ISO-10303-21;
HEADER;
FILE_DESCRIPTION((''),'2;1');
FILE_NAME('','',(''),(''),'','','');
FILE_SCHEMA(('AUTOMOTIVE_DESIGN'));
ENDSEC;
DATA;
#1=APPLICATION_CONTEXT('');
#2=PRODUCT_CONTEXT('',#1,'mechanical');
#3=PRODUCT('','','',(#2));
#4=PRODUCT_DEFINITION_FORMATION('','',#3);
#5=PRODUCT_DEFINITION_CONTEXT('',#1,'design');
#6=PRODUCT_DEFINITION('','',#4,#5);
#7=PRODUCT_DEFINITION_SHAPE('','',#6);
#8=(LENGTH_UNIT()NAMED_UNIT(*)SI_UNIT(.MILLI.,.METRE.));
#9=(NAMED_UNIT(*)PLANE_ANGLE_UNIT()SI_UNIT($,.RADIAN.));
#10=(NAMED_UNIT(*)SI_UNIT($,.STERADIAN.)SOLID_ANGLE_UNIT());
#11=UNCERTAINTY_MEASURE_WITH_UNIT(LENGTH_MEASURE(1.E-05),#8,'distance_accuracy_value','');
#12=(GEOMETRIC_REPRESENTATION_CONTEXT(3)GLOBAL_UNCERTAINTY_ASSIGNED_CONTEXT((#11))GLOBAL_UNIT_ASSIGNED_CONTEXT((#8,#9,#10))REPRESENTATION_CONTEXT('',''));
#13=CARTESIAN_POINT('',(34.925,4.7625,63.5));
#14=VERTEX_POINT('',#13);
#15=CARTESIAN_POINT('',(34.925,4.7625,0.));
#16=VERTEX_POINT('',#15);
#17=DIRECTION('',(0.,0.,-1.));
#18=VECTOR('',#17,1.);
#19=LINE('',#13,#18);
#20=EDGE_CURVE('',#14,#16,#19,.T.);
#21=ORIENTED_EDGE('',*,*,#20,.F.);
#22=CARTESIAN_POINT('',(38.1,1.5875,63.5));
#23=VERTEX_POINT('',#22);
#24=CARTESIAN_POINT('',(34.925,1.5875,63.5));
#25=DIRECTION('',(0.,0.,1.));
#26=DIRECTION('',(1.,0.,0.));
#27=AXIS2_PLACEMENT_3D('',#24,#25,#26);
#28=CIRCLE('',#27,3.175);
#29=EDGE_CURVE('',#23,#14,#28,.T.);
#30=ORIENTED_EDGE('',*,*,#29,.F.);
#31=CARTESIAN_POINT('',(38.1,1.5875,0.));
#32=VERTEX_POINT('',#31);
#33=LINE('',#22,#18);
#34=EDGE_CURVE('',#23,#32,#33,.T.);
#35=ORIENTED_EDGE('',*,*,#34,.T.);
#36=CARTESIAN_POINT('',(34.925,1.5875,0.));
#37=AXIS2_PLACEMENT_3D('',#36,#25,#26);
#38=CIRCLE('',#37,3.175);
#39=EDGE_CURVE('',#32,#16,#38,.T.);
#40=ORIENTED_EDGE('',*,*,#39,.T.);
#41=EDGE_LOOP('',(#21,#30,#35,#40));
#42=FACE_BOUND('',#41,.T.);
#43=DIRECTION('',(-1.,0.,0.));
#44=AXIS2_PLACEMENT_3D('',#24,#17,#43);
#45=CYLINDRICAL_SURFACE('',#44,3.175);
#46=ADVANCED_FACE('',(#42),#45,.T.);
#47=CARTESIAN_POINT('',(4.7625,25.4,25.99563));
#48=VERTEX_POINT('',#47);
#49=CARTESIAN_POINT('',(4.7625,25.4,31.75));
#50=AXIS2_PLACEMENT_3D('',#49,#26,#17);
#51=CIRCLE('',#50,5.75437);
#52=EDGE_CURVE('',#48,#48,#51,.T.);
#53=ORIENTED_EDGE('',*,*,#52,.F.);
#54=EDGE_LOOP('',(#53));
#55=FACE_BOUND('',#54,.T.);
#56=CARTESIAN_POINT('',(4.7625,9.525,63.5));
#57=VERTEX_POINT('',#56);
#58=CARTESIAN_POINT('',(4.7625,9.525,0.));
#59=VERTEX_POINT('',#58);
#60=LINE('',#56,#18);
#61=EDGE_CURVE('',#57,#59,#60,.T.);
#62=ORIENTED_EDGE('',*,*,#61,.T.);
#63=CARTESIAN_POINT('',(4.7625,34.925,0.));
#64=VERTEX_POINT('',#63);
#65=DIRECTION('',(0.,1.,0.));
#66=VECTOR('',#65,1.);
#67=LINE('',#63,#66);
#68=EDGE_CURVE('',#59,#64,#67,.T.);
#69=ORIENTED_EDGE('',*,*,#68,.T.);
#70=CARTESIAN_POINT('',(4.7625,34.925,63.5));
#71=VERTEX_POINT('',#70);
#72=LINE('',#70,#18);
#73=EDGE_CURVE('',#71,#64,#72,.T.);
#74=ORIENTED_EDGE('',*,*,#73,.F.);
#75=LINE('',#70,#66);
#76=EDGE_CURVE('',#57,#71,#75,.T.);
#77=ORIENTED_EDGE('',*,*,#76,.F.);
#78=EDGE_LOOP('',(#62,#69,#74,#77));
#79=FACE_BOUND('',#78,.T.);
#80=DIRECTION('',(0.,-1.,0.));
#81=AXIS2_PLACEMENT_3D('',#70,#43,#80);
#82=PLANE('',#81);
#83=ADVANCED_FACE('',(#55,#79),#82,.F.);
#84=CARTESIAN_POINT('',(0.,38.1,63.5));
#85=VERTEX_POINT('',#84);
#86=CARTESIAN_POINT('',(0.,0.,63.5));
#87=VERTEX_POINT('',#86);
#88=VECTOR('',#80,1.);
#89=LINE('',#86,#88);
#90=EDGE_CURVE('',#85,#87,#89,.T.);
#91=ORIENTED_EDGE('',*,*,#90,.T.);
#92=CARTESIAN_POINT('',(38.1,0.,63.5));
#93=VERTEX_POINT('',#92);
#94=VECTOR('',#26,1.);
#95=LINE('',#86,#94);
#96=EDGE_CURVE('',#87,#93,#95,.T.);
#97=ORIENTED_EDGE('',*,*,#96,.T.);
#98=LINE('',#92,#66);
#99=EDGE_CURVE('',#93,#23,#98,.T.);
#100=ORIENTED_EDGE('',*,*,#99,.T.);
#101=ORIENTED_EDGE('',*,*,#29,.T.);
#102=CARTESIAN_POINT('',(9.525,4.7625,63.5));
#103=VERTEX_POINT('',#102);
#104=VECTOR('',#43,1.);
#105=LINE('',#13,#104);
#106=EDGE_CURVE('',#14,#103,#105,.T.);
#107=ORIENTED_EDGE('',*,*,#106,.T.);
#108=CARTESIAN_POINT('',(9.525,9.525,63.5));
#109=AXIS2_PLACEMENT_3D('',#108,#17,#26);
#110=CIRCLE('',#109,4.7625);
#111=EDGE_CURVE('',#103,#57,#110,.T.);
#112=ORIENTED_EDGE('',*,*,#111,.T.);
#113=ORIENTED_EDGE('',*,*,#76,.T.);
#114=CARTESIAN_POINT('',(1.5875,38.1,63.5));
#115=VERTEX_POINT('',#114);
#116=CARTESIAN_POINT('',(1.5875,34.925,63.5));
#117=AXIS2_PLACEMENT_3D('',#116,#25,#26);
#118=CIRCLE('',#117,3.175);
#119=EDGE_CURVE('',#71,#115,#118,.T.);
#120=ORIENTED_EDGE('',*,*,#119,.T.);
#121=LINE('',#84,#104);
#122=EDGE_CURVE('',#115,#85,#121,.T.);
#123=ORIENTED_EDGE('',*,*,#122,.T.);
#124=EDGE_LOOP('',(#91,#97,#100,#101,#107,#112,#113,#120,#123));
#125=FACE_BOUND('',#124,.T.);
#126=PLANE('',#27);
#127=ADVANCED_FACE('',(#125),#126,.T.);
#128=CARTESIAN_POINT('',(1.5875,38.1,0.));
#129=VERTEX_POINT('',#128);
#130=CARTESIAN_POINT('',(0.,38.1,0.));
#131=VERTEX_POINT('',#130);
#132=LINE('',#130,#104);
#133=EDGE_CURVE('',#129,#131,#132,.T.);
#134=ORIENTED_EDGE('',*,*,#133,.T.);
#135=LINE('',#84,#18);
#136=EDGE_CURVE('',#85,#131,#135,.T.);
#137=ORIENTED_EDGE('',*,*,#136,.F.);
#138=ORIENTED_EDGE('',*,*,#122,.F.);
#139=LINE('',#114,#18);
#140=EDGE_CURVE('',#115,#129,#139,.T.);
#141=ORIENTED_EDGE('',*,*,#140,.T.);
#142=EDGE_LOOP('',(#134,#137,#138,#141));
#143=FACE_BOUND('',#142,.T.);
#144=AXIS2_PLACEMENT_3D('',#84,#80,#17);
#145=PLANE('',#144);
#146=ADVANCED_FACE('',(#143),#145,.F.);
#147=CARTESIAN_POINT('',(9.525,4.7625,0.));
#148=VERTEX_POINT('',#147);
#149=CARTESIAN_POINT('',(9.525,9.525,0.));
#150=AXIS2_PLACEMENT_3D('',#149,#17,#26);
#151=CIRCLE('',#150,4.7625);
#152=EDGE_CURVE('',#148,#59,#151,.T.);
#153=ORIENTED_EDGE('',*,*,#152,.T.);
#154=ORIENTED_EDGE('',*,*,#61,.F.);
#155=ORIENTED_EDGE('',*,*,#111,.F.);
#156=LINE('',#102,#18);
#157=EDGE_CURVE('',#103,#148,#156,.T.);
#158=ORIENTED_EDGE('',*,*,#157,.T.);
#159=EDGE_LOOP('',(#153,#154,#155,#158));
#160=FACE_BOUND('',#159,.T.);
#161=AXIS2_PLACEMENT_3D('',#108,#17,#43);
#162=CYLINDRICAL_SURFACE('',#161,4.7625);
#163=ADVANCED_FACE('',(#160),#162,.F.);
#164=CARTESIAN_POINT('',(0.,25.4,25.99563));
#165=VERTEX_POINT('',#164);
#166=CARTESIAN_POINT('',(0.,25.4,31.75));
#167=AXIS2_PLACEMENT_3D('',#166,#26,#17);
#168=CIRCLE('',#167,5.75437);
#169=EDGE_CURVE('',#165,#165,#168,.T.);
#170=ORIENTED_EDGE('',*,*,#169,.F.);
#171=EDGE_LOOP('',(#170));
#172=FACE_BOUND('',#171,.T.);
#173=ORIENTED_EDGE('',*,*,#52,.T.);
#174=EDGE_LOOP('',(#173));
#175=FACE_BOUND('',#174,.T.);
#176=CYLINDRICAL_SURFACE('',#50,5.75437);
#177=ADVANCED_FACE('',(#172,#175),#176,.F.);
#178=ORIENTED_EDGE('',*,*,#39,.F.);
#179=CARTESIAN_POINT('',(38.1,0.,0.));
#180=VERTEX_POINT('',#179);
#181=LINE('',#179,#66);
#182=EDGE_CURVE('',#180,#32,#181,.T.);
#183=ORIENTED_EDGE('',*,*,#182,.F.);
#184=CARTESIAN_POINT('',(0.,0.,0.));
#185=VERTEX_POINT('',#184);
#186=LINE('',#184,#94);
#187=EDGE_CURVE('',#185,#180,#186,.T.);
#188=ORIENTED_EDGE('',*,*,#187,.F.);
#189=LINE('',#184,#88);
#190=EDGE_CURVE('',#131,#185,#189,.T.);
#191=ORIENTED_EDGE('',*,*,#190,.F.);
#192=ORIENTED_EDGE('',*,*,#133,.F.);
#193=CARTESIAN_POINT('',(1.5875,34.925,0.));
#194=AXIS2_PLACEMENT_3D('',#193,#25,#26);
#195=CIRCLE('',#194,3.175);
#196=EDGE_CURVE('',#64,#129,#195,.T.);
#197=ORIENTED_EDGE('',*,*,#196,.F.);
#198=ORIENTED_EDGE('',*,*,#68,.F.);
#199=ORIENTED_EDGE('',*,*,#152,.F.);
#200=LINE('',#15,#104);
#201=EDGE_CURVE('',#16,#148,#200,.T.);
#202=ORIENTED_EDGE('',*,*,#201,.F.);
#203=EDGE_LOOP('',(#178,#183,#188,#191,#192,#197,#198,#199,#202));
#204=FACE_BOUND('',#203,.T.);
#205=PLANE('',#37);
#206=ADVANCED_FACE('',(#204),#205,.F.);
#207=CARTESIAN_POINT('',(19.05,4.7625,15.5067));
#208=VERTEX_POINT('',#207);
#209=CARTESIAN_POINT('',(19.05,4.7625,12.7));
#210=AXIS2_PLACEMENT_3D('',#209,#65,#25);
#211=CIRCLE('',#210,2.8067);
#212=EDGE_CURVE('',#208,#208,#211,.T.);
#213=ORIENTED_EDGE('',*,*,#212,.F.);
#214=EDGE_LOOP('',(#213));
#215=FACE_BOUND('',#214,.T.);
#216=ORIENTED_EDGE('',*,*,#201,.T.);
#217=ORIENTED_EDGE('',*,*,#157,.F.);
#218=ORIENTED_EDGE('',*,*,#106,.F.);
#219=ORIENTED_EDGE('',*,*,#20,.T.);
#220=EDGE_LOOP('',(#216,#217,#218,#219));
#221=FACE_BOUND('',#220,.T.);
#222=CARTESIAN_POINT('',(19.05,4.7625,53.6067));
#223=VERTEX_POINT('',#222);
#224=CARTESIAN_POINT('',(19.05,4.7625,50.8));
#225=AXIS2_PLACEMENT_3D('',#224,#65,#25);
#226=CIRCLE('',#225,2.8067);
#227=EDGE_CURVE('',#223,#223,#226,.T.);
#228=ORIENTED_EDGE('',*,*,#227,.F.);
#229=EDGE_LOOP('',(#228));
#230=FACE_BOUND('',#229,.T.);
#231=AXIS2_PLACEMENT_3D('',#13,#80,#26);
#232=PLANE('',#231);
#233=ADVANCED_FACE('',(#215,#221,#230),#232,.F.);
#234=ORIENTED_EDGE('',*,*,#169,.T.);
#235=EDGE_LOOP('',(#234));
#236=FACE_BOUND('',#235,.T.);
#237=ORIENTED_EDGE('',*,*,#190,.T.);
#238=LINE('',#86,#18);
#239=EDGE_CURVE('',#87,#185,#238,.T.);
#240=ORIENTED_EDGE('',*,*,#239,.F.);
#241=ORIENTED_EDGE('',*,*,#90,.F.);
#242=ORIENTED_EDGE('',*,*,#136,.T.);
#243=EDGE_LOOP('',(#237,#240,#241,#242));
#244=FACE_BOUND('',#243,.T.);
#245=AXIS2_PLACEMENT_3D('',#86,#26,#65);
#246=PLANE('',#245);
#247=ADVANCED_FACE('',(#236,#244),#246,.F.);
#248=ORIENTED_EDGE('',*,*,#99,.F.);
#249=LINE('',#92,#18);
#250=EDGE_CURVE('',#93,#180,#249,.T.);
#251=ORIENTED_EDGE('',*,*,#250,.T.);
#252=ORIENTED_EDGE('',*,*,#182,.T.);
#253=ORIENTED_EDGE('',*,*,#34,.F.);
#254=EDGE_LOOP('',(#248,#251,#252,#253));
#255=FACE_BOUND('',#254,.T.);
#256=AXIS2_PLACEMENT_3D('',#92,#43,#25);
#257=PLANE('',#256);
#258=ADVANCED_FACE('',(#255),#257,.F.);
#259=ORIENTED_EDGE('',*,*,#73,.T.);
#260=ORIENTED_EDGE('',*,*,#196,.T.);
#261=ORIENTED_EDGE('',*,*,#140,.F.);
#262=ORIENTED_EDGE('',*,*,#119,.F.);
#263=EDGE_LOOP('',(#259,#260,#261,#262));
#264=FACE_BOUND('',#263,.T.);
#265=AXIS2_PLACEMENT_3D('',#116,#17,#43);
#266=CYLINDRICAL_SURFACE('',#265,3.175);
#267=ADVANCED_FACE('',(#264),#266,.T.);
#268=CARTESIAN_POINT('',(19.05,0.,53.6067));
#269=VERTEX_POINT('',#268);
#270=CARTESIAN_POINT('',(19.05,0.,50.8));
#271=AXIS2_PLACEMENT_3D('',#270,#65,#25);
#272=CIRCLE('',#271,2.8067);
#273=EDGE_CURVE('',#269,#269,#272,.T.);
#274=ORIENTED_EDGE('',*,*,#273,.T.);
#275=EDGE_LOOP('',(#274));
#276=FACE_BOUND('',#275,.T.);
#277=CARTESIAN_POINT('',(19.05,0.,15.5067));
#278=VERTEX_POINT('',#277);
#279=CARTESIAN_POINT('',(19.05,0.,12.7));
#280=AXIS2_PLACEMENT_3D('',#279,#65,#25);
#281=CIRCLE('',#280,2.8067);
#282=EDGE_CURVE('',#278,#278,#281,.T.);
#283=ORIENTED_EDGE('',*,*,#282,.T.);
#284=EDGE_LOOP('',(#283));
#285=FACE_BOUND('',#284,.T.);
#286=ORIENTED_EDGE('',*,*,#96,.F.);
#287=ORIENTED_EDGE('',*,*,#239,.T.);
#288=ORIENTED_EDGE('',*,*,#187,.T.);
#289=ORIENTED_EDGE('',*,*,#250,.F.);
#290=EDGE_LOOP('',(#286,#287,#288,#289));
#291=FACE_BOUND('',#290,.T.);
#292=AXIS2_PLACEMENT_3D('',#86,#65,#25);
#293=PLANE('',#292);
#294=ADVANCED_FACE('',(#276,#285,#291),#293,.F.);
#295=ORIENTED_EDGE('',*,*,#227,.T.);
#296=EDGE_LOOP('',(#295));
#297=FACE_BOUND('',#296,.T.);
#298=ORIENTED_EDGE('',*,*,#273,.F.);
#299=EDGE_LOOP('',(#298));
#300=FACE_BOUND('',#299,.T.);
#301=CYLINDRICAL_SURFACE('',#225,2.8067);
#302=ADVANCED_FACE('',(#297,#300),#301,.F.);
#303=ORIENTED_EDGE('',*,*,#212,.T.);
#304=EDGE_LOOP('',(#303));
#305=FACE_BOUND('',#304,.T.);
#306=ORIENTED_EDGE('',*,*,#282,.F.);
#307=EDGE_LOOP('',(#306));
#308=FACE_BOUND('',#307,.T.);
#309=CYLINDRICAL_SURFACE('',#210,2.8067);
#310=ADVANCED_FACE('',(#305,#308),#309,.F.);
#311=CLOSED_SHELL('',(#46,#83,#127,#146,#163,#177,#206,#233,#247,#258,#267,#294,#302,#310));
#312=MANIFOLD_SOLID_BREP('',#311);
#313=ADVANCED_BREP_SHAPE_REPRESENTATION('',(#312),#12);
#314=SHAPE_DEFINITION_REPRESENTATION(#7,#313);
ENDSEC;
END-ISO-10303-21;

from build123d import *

# Parameters (mm, degrees)
EXTRUDE1_DEPTH           = 63.5
F_10_CLEARANCE_HOLE1_D   = 5.6134
F_7_16_CLEARANCE_HOLE1_D = 11.50874


with BuildPart() as part:
    # Sketch1 → Extrude1 (new body)
    with BuildSketch(Plane.XY):
        with BuildLine():
            Line((0, 0), (0, 38.1))
            Line((0, 38.1), (1.5875, 38.1))
            ThreePointArc((1.5875, 38.1), (3.83256403, 37.17006403), (4.7625, 34.925))
            Line((4.7625, 34.925), (4.7625, 9.525))
            ThreePointArc((4.7625, 9.525), (6.157403955, 6.157403955), (9.525, 4.7625))
            Line((9.525, 4.7625), (34.925, 4.7625))
            ThreePointArc((34.925, 4.7625), (37.17006403, 3.83256403), (38.1, 1.5875))
            Line((38.1, 1.5875), (38.1, 0))
            Line((38.1, 0), (0, 0))
        make_face()
    extrude(amount=EXTRUDE1_DEPTH)

    # #10 Clearance Hole1 (through all)
    with Locations(Plane(origin=(0, 4.7625, 0), x_dir=(-1, 0, 0), z_dir=(0, 1, 0))):
        with Locations((-19.05, 50.8), (-19.05, 12.7)):
            Hole(F_10_CLEARANCE_HOLE1_D / 2)

    # 7/16 Clearance Hole1 (through all)
    with Locations(Plane(origin=(4.7625, 0, 0), x_dir=(0, 0, -1), z_dir=(1, 0, 0))):
        with Locations((-31.75, 25.4)):
            Hole(F_7_16_CLEARANCE_HOLE1_D / 2)


solid = part.part
